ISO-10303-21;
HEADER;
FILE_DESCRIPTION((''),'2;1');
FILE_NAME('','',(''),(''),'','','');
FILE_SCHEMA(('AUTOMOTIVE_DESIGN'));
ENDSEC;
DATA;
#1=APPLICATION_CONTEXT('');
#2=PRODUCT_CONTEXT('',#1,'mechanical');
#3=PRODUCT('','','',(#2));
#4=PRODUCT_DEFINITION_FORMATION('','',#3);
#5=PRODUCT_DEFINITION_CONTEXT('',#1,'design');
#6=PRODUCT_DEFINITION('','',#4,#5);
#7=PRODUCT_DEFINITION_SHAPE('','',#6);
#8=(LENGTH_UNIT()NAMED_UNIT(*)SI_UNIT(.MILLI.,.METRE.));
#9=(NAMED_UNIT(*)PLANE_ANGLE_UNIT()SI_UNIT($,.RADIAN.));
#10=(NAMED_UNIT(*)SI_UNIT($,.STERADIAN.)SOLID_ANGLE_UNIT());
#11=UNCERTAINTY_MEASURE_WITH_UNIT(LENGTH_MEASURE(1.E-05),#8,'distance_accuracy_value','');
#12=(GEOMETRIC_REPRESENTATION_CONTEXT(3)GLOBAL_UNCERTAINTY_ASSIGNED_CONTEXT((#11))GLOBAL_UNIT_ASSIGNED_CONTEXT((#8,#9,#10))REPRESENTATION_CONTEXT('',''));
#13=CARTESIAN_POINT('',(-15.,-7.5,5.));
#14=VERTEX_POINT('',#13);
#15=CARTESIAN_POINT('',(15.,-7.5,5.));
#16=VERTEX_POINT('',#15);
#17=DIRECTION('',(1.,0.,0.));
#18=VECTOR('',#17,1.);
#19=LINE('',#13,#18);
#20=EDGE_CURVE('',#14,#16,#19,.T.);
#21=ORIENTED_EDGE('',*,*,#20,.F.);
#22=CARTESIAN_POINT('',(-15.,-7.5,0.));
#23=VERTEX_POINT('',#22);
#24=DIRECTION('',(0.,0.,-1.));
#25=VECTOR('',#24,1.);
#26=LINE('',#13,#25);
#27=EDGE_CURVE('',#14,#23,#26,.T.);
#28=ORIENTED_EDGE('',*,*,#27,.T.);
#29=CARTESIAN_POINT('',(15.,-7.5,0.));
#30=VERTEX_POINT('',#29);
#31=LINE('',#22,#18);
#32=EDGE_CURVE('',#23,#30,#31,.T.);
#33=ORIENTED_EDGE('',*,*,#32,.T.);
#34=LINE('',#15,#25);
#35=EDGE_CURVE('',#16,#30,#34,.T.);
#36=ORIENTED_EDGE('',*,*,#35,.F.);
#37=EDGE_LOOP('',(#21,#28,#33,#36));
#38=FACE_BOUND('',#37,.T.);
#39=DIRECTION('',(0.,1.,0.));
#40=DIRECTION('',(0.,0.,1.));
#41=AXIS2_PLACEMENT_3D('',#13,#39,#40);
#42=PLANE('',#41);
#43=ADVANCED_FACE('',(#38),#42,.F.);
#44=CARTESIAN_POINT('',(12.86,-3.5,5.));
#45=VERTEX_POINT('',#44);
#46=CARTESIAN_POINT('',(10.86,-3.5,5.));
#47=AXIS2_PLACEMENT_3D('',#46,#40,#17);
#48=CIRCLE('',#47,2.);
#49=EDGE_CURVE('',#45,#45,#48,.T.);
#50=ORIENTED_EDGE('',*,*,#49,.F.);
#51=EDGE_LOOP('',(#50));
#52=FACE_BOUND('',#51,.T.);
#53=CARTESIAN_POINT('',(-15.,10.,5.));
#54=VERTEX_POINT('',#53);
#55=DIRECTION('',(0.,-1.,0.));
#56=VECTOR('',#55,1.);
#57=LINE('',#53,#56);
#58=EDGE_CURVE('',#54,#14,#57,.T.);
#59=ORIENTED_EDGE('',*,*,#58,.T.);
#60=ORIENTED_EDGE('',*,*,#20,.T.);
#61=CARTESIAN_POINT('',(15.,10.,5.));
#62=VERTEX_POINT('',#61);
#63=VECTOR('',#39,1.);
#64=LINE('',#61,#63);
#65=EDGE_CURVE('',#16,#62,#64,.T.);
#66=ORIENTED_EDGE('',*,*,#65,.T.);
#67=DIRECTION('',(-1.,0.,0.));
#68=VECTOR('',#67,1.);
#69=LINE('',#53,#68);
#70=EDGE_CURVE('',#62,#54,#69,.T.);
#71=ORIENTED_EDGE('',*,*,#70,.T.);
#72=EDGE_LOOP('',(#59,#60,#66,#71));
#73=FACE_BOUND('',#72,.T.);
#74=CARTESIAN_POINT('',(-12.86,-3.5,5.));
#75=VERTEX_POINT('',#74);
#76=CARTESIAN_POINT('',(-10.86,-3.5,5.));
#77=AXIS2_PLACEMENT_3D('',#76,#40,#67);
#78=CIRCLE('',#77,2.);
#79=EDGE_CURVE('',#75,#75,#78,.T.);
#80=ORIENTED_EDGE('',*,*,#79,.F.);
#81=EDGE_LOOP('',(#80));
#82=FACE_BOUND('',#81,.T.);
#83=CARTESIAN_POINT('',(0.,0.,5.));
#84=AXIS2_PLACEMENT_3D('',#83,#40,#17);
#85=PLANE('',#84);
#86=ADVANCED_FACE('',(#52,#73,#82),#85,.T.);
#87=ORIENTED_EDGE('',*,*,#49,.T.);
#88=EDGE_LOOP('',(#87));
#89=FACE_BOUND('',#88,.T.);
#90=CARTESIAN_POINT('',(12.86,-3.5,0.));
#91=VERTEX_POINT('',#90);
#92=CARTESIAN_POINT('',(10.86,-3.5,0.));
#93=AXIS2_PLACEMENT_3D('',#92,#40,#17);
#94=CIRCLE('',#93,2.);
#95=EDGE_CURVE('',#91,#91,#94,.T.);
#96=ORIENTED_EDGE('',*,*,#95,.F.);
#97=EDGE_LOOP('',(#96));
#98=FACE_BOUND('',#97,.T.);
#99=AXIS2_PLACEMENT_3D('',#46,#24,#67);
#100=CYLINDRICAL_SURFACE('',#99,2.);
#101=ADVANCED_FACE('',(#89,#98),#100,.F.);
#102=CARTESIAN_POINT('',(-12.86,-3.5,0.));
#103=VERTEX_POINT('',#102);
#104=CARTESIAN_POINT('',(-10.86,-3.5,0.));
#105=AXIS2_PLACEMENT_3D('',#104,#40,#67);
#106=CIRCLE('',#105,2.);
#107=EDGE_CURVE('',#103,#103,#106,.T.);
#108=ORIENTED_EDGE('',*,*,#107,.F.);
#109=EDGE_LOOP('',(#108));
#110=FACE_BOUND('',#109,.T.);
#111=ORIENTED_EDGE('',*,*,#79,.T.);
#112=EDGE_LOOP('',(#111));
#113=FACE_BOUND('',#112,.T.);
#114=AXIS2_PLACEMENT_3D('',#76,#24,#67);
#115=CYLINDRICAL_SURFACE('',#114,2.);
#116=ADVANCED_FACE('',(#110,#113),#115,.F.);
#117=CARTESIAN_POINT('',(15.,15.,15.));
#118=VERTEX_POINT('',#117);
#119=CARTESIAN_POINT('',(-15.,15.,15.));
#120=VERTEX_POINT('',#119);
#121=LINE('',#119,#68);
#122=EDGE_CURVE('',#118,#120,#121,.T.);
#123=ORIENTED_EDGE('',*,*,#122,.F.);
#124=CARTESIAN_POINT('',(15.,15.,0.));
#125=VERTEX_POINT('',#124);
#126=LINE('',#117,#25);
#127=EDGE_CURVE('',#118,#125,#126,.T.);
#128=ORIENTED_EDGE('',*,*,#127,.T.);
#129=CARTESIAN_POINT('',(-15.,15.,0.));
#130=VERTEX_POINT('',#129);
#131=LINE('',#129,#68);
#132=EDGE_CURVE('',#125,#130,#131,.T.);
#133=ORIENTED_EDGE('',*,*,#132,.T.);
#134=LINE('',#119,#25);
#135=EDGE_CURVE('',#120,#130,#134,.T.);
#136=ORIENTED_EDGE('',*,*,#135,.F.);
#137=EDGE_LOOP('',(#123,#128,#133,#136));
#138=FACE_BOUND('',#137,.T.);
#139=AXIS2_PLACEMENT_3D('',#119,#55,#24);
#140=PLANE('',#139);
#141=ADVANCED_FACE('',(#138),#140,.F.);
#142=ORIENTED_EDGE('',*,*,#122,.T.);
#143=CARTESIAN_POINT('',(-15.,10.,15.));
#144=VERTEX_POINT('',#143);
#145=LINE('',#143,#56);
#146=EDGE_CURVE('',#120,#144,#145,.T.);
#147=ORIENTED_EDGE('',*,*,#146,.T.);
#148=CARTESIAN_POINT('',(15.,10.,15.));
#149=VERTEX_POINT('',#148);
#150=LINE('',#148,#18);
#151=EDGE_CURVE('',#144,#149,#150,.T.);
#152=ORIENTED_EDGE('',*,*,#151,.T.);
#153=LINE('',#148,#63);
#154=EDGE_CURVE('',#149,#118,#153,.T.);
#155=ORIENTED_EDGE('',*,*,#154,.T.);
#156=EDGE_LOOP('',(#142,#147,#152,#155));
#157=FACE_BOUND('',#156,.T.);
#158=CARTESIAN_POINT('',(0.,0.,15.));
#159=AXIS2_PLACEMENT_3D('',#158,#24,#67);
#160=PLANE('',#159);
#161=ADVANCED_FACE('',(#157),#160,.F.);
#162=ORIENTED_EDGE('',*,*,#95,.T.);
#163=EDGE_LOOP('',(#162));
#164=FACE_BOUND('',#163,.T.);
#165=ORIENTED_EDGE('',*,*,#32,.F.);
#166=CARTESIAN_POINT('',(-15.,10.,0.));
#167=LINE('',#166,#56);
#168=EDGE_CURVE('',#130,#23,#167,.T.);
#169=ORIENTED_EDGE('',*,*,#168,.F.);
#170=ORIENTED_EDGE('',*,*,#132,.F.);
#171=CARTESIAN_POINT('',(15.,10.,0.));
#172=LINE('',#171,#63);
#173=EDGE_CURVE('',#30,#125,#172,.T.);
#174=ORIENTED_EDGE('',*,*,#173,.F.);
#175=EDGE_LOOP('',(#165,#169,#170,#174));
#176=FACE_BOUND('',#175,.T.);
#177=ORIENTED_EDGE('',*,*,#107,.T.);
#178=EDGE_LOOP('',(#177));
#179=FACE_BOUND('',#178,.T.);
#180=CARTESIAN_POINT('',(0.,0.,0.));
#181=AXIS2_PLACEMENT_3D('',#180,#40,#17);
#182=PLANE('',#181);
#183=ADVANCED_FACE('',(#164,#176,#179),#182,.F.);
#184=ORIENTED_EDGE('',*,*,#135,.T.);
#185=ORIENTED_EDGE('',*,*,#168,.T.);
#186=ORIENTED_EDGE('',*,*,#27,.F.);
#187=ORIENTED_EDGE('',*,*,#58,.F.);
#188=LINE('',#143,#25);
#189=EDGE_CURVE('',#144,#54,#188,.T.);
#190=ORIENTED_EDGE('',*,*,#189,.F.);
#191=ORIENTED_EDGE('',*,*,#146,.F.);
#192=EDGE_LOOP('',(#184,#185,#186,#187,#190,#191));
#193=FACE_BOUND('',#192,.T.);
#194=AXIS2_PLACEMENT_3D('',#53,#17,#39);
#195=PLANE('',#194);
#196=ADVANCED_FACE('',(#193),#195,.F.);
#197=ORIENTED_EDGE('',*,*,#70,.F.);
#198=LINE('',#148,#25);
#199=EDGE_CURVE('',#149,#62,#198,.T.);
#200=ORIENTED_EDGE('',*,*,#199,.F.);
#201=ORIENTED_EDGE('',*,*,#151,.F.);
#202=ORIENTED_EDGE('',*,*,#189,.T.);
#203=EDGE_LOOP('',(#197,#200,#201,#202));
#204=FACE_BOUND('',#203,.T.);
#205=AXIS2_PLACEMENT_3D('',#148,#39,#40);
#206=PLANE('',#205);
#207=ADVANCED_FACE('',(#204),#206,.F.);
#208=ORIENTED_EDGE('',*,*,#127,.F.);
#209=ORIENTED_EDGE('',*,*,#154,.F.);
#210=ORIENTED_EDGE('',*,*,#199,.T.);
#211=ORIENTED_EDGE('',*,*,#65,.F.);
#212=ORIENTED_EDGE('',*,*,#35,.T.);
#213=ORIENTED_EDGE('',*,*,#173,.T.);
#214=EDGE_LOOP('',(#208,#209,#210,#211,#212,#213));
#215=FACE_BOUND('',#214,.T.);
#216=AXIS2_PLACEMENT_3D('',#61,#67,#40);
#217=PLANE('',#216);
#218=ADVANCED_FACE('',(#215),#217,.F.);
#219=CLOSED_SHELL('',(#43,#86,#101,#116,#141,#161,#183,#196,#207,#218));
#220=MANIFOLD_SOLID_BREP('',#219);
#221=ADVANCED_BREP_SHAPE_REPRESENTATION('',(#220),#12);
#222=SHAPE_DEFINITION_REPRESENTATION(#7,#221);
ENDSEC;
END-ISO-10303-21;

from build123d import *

# Parameters (mm, degrees)
SKETCH4_W           = 30
SKETCH4_H           = 17.5
SKETCH4_R           = 2
BOSS_EXTRUDE2_DEPTH = 5
SKETCH5_W           = 30
SKETCH5_H           = 5
BOSS_EXTRUDE3_DEPTH = 15


with BuildPart() as part:
    # Sketch4 → Boss-Extrude2 (new body)
    with BuildSketch(Plane.XY):
        with Locations((0, 1.25)):
            Rectangle(SKETCH4_W, SKETCH4_H)
        with Locations((10.86, -3.5)):
            Circle(SKETCH4_R, mode=Mode.SUBTRACT)
        with Locations(Location((-10.86, -3.5, 0), (0, 0, 180))):
            Circle(SKETCH4_R, mode=Mode.SUBTRACT)
    extrude(amount=BOSS_EXTRUDE2_DEPTH)

    # Sketch5 → Boss-Extrude3 (add)
    with BuildSketch(Plane.XY):
        with Locations((0, 12.5)):
            Rectangle(SKETCH5_W, SKETCH5_H)
    extrude(amount=BOSS_EXTRUDE3_DEPTH)


solid = part.part
